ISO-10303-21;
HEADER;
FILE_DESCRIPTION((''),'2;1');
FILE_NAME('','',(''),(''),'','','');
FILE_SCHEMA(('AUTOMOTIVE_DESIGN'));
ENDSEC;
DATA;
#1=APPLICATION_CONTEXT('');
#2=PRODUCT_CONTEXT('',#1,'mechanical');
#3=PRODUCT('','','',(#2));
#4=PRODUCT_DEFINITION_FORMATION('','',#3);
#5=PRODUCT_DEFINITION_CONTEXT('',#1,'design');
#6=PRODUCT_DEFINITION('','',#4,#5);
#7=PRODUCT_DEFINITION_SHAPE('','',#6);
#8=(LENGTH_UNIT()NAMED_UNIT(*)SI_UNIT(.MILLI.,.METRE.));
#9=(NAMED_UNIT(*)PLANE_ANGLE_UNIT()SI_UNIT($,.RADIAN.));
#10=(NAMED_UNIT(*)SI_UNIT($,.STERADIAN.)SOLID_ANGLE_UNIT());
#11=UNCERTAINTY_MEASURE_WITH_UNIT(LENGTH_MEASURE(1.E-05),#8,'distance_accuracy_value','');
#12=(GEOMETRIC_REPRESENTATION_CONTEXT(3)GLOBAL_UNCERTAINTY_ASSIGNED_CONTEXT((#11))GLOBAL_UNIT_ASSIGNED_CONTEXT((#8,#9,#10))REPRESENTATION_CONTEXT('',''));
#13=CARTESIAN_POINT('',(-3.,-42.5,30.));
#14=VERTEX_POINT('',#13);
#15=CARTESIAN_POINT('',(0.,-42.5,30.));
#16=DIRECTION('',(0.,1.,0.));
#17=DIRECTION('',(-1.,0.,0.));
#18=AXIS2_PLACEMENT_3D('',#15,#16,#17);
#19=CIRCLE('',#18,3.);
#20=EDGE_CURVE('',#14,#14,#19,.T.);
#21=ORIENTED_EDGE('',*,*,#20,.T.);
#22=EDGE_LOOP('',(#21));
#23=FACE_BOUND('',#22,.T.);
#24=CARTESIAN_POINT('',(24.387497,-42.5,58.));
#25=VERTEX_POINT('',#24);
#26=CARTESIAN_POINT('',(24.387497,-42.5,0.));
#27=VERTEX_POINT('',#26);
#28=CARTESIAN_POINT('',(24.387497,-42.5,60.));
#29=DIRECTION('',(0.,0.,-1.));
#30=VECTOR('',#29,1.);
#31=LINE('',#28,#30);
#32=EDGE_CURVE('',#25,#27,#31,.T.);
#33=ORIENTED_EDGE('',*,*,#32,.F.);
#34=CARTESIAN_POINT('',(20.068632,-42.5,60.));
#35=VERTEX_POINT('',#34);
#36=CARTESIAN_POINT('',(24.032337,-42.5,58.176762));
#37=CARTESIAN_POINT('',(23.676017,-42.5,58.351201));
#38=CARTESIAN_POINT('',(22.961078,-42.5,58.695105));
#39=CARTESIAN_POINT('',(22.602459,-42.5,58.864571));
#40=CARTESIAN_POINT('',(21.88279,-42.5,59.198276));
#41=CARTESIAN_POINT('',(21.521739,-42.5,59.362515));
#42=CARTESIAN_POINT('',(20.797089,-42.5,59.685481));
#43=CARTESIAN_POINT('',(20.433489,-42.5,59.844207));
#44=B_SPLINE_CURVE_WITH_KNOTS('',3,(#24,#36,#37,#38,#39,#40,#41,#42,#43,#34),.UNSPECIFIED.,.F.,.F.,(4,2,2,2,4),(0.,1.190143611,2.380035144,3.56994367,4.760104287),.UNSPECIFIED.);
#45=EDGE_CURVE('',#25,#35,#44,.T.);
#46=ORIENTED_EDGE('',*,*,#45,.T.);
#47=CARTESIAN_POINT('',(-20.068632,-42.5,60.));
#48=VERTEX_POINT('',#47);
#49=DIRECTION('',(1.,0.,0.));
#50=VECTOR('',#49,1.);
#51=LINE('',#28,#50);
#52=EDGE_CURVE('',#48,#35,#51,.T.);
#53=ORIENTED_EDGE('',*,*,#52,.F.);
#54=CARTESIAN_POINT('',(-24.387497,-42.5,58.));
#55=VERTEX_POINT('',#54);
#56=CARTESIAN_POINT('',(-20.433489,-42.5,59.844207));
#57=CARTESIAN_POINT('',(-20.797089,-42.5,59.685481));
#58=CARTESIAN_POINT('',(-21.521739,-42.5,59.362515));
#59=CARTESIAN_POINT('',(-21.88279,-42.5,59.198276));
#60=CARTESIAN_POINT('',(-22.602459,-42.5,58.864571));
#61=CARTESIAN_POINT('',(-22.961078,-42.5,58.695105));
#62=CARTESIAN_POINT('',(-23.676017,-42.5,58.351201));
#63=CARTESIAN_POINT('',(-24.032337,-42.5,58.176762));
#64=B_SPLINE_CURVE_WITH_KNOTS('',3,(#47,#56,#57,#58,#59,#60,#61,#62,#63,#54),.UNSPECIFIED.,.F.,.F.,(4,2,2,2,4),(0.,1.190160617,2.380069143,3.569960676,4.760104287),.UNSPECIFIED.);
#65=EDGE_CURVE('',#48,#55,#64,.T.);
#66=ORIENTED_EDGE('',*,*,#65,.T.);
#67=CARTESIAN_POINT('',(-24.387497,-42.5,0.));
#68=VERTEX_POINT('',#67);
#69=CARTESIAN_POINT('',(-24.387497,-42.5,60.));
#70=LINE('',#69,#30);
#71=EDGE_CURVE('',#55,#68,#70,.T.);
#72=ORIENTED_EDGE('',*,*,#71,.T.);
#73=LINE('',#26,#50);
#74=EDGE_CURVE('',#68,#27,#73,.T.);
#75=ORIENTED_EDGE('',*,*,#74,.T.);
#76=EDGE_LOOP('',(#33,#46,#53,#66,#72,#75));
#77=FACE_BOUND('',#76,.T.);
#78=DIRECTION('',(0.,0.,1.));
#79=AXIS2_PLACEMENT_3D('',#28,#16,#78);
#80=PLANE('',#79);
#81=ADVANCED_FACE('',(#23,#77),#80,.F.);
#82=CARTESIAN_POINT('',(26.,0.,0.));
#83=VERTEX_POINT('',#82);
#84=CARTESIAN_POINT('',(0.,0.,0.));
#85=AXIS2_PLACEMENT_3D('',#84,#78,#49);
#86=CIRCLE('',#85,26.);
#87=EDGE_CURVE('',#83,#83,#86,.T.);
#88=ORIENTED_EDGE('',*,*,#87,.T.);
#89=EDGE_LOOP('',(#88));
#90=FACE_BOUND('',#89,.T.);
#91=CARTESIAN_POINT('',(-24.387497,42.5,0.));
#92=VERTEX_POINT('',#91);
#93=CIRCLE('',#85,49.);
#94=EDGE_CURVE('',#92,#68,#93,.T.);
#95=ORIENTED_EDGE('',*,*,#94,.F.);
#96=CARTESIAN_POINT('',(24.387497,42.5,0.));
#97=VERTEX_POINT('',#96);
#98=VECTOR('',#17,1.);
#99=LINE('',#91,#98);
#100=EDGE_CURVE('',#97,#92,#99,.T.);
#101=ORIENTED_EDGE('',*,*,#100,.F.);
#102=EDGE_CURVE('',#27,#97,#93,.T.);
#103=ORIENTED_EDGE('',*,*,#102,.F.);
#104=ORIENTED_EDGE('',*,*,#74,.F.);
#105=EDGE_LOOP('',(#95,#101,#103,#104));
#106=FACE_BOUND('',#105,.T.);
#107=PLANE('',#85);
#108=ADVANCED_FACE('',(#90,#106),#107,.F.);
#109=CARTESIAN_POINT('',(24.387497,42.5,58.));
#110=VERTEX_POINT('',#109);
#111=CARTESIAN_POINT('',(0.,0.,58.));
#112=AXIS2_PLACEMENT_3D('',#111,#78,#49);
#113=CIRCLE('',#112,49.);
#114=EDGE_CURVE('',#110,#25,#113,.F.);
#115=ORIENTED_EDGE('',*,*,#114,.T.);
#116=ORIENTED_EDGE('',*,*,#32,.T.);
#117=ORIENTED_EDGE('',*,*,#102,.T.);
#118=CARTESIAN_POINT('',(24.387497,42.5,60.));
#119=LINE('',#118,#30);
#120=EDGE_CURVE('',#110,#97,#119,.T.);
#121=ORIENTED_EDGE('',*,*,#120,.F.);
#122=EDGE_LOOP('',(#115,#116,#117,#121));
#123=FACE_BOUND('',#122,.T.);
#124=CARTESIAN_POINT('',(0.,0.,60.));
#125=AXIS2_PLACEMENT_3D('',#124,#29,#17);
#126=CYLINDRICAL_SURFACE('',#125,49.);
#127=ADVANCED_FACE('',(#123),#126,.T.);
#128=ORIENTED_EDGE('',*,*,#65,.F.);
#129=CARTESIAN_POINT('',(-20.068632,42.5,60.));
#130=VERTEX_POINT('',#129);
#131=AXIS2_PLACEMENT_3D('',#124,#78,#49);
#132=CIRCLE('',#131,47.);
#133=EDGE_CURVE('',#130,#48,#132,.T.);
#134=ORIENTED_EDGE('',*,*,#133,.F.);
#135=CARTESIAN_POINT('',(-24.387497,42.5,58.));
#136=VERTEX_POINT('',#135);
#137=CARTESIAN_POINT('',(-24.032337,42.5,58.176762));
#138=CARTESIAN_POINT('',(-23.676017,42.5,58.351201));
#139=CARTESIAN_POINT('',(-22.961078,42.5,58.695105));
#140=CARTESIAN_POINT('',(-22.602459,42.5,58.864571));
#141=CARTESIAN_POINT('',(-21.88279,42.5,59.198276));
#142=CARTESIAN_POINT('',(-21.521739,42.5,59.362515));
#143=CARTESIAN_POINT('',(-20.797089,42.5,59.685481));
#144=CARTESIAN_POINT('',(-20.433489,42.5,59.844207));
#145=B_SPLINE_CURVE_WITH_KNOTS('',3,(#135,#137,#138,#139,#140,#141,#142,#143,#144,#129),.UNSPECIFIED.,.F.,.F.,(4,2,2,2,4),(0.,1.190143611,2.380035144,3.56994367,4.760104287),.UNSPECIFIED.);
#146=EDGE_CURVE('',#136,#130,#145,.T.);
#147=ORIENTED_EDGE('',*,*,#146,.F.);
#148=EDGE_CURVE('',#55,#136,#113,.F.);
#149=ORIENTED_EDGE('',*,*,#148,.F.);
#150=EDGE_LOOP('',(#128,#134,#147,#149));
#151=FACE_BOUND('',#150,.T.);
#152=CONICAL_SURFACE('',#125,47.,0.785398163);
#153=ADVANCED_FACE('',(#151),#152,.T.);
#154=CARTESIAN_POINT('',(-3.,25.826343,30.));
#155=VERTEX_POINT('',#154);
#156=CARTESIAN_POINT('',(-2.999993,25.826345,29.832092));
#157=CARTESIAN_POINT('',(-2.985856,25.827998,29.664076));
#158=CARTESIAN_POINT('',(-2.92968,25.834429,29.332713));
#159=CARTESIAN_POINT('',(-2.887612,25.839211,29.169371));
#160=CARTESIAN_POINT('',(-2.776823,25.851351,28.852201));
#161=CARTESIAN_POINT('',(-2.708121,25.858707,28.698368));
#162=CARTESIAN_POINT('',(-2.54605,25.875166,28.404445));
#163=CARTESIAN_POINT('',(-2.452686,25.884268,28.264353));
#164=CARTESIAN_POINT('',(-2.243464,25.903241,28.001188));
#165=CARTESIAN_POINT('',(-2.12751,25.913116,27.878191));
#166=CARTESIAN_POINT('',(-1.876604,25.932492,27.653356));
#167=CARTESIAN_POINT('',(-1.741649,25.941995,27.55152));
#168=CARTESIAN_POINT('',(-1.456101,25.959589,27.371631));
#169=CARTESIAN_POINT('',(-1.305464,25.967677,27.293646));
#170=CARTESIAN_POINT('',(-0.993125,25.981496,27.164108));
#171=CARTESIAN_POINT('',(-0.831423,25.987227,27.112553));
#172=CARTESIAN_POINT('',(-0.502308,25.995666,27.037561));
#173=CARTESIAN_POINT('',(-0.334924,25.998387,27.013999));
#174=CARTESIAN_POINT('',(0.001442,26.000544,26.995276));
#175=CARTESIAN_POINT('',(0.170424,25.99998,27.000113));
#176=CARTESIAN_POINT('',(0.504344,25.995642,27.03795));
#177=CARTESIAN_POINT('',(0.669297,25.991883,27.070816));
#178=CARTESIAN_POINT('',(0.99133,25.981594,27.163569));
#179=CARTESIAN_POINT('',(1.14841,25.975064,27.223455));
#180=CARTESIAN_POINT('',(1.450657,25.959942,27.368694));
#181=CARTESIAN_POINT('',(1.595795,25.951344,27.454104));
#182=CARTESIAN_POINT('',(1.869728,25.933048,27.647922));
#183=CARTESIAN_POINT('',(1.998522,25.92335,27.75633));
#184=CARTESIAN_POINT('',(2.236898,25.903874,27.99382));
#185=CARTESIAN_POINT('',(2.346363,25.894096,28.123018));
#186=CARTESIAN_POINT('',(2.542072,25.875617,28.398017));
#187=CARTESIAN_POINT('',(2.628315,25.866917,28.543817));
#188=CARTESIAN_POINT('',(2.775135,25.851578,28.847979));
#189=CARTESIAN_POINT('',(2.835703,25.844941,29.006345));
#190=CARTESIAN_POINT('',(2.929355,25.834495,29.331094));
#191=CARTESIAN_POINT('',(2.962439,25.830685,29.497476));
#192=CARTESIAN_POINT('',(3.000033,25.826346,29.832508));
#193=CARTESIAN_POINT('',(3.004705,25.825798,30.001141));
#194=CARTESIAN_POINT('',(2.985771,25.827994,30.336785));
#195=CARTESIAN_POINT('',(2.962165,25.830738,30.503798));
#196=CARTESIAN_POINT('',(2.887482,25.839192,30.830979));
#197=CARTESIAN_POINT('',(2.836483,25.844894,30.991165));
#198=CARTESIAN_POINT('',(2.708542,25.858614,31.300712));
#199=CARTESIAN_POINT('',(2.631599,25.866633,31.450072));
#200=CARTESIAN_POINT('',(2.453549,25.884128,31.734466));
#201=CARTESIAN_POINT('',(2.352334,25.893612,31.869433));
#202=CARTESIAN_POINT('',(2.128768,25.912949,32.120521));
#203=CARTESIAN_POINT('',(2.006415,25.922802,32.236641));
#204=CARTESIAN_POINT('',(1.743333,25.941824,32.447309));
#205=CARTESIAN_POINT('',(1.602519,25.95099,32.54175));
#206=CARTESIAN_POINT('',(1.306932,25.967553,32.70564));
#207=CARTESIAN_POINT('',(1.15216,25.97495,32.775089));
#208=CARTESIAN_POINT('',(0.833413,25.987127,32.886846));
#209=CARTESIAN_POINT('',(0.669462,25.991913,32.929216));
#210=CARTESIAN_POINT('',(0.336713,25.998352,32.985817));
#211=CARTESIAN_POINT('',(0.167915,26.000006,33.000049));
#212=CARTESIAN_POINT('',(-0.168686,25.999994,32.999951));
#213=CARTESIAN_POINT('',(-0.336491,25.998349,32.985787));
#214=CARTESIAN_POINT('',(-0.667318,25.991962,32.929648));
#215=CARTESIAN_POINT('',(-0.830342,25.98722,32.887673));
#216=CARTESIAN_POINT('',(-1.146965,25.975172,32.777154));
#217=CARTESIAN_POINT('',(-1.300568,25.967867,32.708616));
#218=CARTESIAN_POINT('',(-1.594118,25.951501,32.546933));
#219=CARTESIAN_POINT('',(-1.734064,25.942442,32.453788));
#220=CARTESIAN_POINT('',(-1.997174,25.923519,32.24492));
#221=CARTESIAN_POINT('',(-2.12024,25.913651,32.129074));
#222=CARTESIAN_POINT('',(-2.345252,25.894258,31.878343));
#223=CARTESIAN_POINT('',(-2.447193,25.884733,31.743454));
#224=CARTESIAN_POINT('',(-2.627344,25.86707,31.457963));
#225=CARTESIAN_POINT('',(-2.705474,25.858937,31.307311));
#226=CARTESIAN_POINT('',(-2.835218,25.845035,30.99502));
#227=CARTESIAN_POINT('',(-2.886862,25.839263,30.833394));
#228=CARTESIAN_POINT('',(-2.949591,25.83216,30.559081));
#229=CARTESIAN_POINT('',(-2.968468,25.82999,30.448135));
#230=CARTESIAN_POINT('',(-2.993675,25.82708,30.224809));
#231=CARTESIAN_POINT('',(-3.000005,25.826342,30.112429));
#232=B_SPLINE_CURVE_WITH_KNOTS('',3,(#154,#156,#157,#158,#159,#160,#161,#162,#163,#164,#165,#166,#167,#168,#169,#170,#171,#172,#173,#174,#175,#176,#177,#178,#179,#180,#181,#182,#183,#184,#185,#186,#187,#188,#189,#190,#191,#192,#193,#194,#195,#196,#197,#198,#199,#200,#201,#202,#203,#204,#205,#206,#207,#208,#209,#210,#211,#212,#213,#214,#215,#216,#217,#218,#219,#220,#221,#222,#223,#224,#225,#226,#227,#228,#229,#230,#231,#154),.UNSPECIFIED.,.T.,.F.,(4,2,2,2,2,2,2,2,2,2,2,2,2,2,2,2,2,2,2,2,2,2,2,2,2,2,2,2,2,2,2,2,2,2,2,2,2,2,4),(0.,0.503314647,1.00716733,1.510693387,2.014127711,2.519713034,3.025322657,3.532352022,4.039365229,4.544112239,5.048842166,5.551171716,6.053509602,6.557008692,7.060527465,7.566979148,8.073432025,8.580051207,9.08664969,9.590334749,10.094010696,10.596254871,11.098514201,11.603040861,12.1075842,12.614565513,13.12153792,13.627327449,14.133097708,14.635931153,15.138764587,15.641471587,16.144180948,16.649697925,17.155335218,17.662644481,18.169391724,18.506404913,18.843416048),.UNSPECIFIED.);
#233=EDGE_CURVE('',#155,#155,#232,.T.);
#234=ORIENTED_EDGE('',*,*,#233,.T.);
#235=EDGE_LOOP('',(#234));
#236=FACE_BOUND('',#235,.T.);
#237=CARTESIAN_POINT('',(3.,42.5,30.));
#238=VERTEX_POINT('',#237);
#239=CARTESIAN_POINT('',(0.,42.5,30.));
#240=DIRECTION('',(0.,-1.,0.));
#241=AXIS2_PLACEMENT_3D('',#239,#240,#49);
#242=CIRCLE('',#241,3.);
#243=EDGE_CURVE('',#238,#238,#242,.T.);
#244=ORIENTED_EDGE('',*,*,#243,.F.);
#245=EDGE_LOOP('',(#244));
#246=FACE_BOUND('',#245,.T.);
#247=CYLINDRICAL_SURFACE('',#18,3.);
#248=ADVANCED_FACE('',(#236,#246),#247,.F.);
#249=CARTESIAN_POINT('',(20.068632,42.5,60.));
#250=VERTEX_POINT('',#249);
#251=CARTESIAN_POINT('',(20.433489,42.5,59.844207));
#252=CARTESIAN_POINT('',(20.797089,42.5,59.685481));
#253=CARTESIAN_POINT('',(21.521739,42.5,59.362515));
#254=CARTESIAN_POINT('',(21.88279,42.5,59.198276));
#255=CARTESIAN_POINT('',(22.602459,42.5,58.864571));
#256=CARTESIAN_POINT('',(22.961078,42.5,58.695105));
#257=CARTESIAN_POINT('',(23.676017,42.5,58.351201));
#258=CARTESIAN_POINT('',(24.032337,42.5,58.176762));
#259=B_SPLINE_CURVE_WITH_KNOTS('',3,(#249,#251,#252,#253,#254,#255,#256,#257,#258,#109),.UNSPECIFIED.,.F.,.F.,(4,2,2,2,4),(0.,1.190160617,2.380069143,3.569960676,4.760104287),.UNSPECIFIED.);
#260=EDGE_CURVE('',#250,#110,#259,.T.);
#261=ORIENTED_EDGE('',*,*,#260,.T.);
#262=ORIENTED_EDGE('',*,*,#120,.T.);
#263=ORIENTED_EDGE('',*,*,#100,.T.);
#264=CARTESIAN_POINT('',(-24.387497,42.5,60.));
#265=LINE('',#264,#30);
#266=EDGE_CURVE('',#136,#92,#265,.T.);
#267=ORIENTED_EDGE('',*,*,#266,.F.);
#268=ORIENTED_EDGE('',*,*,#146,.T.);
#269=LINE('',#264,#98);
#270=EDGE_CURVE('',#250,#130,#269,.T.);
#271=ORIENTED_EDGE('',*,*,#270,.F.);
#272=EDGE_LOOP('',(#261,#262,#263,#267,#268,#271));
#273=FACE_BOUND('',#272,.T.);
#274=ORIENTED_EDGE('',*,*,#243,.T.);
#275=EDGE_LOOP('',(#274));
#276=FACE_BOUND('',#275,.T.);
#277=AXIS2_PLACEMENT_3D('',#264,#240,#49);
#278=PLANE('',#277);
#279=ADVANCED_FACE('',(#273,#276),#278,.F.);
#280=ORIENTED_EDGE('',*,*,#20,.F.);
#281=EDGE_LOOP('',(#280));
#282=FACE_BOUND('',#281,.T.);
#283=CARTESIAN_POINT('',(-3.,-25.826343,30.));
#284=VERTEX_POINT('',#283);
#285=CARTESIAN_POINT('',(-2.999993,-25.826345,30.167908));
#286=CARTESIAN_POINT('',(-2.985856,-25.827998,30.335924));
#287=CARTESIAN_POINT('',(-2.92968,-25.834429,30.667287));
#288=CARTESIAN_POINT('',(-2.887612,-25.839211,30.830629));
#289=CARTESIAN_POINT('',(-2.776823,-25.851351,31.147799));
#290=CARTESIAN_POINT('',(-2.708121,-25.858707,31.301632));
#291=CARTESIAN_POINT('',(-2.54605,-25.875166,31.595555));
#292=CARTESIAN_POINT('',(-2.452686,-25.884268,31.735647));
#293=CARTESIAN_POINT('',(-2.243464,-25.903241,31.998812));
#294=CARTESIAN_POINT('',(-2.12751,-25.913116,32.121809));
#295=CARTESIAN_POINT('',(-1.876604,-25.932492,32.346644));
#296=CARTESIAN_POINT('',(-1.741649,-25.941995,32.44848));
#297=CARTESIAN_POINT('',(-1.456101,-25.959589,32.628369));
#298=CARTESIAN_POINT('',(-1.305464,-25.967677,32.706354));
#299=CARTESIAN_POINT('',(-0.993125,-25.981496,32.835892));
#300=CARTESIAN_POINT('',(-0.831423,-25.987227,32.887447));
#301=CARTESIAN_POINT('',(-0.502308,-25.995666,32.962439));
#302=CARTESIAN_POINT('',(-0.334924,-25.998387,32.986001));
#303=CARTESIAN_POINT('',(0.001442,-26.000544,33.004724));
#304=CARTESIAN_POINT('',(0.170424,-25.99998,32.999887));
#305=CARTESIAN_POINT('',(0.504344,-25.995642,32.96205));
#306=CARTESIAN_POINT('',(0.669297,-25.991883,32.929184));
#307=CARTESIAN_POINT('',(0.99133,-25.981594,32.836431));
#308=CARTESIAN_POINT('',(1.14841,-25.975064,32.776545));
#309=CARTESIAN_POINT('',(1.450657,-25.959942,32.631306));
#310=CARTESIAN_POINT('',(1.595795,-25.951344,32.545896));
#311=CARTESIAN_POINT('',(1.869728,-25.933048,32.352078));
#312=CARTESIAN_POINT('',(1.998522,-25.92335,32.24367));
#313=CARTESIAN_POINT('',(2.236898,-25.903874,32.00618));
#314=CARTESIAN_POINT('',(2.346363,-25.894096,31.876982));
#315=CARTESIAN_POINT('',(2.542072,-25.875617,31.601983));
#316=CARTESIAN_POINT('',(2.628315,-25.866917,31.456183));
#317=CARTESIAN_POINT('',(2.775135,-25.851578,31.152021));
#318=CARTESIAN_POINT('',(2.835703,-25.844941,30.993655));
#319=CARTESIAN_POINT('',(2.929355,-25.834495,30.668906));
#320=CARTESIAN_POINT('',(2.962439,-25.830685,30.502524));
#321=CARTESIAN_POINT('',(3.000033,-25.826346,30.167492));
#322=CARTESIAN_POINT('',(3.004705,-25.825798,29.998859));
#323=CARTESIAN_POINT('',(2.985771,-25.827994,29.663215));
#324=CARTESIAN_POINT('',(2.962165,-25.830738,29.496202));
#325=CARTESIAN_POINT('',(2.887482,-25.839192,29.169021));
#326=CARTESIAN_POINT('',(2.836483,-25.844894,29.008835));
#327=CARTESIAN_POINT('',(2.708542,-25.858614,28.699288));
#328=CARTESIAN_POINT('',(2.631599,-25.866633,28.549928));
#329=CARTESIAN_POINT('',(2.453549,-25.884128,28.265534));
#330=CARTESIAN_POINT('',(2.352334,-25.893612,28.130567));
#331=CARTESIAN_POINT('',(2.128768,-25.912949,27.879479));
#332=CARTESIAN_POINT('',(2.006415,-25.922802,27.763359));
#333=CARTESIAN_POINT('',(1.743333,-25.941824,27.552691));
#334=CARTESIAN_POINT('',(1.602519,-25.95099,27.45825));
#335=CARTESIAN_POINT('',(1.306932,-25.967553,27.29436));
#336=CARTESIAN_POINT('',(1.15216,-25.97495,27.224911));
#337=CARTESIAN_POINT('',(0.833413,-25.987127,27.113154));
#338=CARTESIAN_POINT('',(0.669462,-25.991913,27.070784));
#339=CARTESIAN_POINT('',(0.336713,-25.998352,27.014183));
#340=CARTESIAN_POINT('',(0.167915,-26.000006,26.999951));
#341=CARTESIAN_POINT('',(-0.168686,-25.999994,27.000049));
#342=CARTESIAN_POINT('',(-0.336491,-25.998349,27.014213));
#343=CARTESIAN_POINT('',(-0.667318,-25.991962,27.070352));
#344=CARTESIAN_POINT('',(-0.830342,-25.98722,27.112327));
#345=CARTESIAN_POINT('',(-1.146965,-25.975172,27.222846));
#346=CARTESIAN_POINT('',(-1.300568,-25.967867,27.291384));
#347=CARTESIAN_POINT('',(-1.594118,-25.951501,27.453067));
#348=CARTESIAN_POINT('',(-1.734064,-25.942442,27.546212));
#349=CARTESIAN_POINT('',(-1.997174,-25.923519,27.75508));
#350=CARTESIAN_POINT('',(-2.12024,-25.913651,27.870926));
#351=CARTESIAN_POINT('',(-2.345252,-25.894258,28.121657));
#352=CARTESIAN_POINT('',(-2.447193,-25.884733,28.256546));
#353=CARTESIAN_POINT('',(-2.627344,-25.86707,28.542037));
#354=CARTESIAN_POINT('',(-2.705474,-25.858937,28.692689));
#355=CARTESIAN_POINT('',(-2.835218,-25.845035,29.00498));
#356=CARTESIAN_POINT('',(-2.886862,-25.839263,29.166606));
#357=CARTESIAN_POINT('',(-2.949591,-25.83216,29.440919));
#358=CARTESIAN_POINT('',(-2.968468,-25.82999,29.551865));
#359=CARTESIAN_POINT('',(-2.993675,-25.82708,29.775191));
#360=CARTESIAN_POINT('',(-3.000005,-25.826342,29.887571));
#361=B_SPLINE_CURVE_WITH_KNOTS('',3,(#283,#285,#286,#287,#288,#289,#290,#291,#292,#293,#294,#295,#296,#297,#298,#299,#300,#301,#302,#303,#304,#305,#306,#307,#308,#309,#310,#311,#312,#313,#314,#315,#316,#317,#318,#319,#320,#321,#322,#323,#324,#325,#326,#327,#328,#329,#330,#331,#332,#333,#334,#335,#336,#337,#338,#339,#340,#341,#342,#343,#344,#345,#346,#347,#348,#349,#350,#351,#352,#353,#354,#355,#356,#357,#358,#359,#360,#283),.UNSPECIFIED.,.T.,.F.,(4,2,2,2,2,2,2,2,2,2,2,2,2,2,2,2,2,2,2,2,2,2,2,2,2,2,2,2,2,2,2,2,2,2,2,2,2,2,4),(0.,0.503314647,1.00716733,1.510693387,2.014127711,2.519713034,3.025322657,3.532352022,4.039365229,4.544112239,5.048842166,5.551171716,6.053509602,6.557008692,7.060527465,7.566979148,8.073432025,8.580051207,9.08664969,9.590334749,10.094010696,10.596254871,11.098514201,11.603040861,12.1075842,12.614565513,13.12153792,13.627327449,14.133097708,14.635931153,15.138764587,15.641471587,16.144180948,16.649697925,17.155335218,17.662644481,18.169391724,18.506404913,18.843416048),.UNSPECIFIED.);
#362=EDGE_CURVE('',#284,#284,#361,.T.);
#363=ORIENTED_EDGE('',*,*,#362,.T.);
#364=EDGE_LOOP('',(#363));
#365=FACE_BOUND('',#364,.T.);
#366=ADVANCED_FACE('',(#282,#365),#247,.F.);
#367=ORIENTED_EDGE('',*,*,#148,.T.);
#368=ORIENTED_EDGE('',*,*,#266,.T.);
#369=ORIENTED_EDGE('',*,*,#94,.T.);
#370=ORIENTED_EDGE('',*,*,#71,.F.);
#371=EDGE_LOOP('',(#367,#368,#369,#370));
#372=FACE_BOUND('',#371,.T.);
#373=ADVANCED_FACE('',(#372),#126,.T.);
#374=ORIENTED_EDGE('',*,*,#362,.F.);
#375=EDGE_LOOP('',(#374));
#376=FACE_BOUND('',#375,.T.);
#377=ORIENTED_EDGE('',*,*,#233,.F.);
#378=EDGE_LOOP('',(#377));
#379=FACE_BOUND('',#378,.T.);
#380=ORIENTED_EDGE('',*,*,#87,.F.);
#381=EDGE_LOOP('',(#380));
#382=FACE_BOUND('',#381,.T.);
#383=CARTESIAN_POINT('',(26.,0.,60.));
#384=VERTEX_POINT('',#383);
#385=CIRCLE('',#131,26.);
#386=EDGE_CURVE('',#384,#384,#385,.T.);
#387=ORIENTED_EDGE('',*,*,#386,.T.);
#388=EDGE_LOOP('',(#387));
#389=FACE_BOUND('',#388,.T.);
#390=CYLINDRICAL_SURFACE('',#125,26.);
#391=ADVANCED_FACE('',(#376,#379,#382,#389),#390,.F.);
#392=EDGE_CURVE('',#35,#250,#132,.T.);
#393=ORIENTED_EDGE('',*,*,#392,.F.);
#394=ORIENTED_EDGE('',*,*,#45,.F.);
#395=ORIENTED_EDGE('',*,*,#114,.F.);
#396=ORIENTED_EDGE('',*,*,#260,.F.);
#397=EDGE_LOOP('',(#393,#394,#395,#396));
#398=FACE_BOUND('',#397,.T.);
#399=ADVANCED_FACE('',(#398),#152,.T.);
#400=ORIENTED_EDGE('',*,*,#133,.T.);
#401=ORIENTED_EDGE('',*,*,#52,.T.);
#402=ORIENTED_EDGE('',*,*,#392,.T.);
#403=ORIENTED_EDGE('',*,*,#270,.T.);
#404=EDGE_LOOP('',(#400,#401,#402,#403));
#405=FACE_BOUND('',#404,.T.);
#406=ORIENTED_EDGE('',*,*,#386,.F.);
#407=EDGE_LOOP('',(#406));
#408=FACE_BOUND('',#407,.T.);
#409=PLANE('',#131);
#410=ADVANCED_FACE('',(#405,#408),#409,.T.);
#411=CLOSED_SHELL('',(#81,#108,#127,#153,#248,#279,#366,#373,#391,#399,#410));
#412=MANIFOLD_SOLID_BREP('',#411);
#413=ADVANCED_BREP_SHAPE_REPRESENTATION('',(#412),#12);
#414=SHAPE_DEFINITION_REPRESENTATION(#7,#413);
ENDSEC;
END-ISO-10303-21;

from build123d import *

# Parameters (mm, degrees)
SKETCH1_R               = 26
BOSS_EXTRUDE1_DEPTH     = 60
CHAMFER1_SIZE           = 2
CUT_EXTRUDE1_DEPTH      = 116.004347744
CUT_EXTRUDE1_DEPTH_BACK = 116.004347744
SKETCH2_R               = 3


with BuildPart() as part:
    # Sketch1 → Boss-Extrude1 (new body)
    with BuildSketch(Plane.XY):
        with BuildLine():
            Line((-24.387496797, 42.5), (24.387496797, 42.5))
            ThreePointArc((24.387496797, 42.5), (49, 0), (24.387496797, -42.5))
            Line((24.387496797, -42.5), (-24.387496797, -42.5))
            ThreePointArc((-24.387496797, -42.5), (-49, 0), (-24.387496797, 42.5))
        make_face()
        Circle(SKETCH1_R, mode=Mode.SUBTRACT)
    extrude(amount=BOSS_EXTRUDE1_DEPTH)

    # Chamfer1
    chamfer1_edges = [part.edges().sort_by_distance(p)[0] for p in [
        (49, 0, 60),
        (-49, 0, 60),
    ]]
    chamfer(chamfer1_edges, length=CHAMFER1_SIZE)

    # Sketch2 → Cut-Extrude1 (cut, two sides: drawn at the far end of the back side and taken through both)
    with BuildSketch(Plane(origin=(0, 42.5, 0), x_dir=(1, 0, 0), z_dir=(0, 1, 0)).offset(-CUT_EXTRUDE1_DEPTH_BACK)):
        with Locations(Location((0, -30, 0), (0, 0, 180))):
            Circle(SKETCH2_R)
    extrude(amount=CUT_EXTRUDE1_DEPTH + CUT_EXTRUDE1_DEPTH_BACK, mode=Mode.SUBTRACT)


solid = part.part
